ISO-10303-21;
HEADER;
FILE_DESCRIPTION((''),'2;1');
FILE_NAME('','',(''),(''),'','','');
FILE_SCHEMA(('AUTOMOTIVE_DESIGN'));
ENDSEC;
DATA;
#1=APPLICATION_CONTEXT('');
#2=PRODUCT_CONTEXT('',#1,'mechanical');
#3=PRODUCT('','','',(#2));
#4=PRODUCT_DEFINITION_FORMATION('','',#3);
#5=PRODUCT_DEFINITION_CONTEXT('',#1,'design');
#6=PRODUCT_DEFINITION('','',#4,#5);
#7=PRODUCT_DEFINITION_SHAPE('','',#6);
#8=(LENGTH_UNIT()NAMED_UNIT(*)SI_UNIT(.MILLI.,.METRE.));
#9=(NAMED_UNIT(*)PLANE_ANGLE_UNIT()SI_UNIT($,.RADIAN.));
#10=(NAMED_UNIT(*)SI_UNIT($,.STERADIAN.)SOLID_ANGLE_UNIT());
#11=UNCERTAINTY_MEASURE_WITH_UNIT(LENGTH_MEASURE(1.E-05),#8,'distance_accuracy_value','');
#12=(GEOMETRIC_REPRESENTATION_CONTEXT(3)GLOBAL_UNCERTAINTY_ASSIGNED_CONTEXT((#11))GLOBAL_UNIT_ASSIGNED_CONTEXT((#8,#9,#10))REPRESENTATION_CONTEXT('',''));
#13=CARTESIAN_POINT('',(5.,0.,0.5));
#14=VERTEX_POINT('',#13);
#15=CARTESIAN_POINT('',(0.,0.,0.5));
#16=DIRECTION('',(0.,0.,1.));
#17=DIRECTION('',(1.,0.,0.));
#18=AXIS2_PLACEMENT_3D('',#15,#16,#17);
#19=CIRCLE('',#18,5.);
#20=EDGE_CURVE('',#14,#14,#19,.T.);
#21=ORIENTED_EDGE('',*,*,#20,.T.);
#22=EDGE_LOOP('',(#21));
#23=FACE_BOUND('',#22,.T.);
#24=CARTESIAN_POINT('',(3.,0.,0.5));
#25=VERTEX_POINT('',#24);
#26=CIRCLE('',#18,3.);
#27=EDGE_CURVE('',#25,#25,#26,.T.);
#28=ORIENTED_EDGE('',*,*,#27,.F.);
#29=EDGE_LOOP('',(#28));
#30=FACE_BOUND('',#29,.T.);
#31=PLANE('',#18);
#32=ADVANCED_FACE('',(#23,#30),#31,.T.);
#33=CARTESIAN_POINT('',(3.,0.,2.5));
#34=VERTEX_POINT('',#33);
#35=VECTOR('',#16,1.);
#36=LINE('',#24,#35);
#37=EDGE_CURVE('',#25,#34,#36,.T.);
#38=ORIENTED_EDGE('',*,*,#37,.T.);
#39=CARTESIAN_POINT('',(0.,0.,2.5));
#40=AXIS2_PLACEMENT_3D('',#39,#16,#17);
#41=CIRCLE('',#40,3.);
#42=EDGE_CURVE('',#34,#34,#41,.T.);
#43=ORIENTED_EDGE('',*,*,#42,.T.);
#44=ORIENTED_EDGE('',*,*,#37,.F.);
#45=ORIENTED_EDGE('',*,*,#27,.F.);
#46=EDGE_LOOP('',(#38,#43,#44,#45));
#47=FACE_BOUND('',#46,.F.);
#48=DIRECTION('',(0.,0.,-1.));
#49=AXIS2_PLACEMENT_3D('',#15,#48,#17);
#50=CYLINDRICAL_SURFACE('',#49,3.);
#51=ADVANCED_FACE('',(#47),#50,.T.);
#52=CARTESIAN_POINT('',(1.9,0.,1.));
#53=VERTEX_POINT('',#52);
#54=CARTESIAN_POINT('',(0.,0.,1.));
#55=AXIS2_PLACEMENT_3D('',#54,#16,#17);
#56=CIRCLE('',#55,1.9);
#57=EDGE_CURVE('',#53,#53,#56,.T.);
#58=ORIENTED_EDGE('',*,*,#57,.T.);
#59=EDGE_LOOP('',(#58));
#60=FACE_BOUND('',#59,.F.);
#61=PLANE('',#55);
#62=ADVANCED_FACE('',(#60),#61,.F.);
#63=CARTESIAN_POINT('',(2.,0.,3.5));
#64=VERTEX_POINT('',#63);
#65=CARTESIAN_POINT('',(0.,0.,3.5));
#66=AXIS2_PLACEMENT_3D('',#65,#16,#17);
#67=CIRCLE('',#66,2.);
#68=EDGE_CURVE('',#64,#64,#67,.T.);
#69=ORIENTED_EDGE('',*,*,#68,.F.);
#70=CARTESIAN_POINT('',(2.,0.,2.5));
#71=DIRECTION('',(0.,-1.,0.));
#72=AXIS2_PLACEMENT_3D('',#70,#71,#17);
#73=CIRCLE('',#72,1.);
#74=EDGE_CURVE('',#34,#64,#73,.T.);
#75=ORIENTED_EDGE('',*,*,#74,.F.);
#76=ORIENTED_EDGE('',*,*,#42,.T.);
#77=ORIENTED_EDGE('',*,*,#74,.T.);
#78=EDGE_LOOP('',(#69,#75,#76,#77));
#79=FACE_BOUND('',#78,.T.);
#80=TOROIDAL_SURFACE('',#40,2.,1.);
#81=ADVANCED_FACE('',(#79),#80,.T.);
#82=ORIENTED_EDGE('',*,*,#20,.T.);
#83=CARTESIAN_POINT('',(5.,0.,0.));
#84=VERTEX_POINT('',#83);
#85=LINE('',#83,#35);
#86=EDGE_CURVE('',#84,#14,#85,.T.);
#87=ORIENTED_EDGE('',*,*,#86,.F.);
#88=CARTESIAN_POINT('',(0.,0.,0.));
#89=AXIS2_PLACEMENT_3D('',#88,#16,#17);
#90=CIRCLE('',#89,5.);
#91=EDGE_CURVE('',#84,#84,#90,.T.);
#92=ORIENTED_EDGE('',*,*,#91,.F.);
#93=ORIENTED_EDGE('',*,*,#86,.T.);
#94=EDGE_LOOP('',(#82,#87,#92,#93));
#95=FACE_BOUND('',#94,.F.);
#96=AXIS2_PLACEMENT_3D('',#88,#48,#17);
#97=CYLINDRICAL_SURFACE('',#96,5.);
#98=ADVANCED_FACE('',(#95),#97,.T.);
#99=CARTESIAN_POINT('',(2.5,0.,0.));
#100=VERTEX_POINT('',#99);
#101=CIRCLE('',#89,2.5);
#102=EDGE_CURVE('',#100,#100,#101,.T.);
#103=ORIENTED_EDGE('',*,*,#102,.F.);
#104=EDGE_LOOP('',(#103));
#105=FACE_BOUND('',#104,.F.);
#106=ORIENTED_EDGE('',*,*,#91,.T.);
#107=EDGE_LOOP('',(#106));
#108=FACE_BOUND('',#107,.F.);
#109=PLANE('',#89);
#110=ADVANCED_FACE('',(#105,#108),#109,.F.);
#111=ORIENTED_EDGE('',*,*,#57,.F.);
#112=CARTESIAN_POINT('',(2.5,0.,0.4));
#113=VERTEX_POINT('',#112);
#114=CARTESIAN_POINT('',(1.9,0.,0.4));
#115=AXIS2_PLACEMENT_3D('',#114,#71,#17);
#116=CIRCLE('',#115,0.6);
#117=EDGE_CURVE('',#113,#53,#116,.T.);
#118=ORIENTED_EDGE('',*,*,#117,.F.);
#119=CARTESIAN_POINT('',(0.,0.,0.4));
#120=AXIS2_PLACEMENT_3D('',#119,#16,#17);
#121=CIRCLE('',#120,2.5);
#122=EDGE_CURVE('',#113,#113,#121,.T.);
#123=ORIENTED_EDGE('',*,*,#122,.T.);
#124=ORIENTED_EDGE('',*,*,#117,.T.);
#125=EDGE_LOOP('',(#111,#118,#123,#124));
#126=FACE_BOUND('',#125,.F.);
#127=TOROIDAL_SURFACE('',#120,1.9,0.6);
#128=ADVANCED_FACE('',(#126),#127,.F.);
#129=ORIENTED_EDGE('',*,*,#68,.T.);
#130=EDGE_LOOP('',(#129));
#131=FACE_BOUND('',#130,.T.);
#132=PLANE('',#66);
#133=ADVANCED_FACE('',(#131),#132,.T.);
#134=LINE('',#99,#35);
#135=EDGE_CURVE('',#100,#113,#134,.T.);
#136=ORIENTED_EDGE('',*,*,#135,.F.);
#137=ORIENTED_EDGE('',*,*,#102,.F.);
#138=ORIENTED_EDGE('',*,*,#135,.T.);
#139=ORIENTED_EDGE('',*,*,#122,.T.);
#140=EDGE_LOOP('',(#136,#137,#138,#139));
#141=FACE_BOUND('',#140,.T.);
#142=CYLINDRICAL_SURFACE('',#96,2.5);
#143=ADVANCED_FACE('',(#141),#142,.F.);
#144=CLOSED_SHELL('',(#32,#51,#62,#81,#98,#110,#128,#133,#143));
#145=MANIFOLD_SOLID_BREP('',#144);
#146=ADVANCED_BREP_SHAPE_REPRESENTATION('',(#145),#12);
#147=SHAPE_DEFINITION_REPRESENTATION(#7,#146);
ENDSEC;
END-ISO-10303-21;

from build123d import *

# Parameters (mm, degrees)
SKETCH026_R     = 5
PAD015_DEPTH    = 0.5
SKETCH027_R     = 3
PAD016_DEPTH    = 3
FILLET003_R     = 1
SKETCH028_R     = 2.5
POCKET011_DEPTH = 1
FILLET004_R     = 0.6


with BuildPart() as part:
    # Sketch026 (on XY_Plane005 of Origin010) → Pad015 (new body)
    with BuildSketch(Plane.XY):
        Circle(SKETCH026_R)
    extrude(amount=PAD015_DEPTH)

    # Sketch027 (on Face3 of Pad015) → Pad016 (join)
    with BuildSketch(Plane.XY.offset(0.5)):
        Circle(SKETCH027_R)
    extrude(amount=PAD016_DEPTH)

    # Fillet003
    fillet003_edges = [part.edges().sort_by_distance(p)[0] for p in [
        (-3, 0, 3.5),
    ]]
    fillet(fillet003_edges, radius=FILLET003_R)

    # Sketch028 → Pocket011 (cut)
    with BuildSketch(Plane.XY):
        Circle(SKETCH028_R)
    extrude(amount=POCKET011_DEPTH, mode=Mode.SUBTRACT)

    # Fillet004
    fillet004_edges = [part.edges().sort_by_distance(p)[0] for p in [
        (-2.5, 0, 1),
    ]]
    fillet(fillet004_edges, radius=FILLET004_R)


solid = part.part
